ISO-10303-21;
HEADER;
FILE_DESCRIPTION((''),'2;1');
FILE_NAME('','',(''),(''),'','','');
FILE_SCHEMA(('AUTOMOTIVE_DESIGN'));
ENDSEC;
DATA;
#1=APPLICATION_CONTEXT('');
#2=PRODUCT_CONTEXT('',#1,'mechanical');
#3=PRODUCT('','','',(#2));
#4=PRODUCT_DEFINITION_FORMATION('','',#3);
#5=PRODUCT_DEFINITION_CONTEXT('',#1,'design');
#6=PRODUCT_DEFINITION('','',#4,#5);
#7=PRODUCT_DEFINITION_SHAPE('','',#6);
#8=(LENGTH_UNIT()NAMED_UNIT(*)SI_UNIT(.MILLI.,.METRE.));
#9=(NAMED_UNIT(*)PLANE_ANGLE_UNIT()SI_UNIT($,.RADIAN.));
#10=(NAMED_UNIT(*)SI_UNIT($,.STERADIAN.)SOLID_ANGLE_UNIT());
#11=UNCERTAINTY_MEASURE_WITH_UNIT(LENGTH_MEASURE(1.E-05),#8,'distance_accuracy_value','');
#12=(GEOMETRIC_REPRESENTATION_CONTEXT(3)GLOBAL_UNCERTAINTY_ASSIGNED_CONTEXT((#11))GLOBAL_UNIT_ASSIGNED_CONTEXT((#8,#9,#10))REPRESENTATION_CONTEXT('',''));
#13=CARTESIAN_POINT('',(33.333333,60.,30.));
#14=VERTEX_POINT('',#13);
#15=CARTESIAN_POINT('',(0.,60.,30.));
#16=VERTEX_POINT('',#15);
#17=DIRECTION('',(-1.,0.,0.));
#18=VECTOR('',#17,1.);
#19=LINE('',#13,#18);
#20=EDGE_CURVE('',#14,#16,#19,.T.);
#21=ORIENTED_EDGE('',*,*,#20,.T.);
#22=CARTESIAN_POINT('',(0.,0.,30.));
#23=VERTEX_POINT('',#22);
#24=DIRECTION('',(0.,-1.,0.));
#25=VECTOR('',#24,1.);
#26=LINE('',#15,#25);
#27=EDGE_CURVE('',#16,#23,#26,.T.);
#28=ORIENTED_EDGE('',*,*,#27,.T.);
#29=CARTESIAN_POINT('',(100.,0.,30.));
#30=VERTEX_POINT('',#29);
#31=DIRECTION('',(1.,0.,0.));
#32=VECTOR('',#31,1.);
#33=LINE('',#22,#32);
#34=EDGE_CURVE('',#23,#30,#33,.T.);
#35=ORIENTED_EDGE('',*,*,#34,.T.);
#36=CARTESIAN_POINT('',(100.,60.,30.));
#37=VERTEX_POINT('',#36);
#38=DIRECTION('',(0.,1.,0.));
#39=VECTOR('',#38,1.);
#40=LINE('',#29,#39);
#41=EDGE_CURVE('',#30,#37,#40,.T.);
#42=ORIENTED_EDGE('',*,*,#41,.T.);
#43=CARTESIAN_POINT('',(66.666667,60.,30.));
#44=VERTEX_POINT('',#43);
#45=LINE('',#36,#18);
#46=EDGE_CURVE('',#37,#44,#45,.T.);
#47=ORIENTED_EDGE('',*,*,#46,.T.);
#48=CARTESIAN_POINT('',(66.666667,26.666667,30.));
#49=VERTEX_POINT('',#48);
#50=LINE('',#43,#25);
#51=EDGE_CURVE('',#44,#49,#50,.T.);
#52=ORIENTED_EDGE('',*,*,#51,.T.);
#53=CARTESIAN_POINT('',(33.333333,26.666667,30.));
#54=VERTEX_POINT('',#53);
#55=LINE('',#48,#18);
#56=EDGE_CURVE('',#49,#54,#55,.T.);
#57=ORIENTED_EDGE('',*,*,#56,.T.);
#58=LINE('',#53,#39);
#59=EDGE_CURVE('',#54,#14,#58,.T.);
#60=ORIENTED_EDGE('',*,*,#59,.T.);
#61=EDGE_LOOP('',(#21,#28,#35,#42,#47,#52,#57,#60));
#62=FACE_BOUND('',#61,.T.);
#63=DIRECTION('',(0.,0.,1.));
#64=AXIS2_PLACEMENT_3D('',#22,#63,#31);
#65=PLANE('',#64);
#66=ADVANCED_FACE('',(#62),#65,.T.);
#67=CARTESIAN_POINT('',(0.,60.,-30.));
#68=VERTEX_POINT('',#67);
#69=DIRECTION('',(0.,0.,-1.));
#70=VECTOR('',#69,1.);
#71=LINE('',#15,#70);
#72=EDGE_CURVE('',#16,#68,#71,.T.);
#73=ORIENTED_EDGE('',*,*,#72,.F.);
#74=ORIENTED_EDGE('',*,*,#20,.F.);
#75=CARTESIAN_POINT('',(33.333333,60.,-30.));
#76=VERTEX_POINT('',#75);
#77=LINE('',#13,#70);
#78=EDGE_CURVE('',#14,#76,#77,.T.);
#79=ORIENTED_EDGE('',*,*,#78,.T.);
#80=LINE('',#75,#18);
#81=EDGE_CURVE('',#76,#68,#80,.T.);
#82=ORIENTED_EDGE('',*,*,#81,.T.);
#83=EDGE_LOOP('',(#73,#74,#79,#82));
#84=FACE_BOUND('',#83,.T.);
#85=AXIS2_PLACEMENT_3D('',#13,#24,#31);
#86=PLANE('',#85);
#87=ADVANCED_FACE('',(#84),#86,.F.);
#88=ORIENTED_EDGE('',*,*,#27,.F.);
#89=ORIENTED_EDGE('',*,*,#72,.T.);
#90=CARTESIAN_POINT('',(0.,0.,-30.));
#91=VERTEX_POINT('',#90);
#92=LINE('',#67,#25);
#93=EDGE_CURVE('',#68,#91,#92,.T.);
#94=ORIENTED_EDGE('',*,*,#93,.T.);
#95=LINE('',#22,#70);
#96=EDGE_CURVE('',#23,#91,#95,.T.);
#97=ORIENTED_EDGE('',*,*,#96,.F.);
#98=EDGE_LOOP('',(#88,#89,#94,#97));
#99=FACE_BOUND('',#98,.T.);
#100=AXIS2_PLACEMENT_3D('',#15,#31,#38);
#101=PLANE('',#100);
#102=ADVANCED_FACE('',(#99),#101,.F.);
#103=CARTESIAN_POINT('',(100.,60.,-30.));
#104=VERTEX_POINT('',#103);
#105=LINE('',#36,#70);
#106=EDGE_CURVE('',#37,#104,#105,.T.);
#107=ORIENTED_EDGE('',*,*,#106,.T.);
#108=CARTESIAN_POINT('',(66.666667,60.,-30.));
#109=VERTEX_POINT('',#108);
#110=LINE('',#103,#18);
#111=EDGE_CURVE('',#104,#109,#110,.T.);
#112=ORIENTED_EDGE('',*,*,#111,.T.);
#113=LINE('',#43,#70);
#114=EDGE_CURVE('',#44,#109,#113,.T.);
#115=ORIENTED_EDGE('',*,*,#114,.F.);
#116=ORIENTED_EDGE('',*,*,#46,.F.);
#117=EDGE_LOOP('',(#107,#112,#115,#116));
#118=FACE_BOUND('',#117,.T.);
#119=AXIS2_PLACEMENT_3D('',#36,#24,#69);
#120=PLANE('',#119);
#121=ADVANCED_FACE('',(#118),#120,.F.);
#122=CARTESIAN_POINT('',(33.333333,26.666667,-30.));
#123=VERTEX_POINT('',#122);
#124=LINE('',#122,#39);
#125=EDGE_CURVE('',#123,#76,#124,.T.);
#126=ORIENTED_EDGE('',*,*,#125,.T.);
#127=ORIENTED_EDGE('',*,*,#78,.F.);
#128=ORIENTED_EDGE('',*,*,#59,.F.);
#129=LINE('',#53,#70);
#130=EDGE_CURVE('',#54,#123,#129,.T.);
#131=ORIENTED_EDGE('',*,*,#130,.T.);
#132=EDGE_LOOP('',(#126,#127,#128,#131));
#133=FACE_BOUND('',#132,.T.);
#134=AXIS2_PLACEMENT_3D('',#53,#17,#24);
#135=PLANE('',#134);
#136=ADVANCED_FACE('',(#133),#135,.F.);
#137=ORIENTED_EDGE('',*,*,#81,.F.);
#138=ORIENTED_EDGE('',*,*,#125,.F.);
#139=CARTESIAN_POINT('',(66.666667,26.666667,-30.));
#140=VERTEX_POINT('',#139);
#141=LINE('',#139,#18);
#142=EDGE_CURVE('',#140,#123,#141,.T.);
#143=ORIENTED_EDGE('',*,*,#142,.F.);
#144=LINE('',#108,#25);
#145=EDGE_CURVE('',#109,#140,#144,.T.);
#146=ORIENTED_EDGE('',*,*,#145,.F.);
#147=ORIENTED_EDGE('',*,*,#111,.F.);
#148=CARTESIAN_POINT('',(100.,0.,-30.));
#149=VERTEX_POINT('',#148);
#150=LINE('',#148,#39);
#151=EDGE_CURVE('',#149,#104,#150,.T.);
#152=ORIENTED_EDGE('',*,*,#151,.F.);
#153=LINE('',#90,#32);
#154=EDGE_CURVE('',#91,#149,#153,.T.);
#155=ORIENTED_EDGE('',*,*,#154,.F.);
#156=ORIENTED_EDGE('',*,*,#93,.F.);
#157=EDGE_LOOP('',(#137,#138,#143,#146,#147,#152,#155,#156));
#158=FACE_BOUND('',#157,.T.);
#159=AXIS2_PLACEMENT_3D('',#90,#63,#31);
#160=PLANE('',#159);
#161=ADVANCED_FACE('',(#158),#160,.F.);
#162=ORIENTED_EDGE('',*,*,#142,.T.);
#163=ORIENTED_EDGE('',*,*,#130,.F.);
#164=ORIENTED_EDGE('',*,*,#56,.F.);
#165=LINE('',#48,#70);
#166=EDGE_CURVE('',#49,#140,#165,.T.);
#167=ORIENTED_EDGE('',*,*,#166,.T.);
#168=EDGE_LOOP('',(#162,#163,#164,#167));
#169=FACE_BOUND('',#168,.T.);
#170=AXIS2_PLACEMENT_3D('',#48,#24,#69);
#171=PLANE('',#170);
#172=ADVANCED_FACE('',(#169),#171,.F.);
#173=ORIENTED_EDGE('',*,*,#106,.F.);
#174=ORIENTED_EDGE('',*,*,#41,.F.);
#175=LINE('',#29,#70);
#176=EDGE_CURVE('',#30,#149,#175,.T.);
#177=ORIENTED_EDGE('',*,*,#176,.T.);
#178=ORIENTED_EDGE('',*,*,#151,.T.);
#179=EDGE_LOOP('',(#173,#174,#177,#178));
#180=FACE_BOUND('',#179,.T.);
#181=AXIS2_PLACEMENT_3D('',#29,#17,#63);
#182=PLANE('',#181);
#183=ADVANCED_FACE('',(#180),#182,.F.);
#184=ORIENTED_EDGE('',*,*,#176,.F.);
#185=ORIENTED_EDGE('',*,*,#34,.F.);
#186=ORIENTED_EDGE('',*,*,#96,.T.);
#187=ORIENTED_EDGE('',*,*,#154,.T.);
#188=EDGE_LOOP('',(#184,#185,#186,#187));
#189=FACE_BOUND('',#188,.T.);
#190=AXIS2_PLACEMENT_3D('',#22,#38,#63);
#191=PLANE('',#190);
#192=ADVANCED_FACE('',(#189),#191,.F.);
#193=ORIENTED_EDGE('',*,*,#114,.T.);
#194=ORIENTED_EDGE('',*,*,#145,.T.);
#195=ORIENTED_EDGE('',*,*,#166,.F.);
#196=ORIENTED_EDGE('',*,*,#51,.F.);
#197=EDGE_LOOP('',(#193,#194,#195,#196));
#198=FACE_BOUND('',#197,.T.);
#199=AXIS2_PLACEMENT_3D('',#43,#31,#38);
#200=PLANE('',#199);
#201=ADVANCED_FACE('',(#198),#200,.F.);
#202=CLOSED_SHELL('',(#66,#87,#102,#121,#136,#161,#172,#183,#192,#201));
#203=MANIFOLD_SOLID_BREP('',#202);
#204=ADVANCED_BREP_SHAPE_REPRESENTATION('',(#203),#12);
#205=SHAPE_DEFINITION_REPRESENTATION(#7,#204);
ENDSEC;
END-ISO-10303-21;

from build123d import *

# Parameters (mm, degrees)
EXTRUSION1_DEPTH = 30


with BuildPart() as part:
    # Esquisse1 → Extrusion1 (new, symmetric)
    with BuildSketch(Plane.XY):
        Polygon((0, 0), (100, 0), (100, 60), (66.666666667, 60), (66.666666667, 26.666666667), (33.333333333, 26.666666667), (33.333333333, 60), (0, 60), align=None)
    extrude(amount=EXTRUSION1_DEPTH, both=True)


solid = part.part
